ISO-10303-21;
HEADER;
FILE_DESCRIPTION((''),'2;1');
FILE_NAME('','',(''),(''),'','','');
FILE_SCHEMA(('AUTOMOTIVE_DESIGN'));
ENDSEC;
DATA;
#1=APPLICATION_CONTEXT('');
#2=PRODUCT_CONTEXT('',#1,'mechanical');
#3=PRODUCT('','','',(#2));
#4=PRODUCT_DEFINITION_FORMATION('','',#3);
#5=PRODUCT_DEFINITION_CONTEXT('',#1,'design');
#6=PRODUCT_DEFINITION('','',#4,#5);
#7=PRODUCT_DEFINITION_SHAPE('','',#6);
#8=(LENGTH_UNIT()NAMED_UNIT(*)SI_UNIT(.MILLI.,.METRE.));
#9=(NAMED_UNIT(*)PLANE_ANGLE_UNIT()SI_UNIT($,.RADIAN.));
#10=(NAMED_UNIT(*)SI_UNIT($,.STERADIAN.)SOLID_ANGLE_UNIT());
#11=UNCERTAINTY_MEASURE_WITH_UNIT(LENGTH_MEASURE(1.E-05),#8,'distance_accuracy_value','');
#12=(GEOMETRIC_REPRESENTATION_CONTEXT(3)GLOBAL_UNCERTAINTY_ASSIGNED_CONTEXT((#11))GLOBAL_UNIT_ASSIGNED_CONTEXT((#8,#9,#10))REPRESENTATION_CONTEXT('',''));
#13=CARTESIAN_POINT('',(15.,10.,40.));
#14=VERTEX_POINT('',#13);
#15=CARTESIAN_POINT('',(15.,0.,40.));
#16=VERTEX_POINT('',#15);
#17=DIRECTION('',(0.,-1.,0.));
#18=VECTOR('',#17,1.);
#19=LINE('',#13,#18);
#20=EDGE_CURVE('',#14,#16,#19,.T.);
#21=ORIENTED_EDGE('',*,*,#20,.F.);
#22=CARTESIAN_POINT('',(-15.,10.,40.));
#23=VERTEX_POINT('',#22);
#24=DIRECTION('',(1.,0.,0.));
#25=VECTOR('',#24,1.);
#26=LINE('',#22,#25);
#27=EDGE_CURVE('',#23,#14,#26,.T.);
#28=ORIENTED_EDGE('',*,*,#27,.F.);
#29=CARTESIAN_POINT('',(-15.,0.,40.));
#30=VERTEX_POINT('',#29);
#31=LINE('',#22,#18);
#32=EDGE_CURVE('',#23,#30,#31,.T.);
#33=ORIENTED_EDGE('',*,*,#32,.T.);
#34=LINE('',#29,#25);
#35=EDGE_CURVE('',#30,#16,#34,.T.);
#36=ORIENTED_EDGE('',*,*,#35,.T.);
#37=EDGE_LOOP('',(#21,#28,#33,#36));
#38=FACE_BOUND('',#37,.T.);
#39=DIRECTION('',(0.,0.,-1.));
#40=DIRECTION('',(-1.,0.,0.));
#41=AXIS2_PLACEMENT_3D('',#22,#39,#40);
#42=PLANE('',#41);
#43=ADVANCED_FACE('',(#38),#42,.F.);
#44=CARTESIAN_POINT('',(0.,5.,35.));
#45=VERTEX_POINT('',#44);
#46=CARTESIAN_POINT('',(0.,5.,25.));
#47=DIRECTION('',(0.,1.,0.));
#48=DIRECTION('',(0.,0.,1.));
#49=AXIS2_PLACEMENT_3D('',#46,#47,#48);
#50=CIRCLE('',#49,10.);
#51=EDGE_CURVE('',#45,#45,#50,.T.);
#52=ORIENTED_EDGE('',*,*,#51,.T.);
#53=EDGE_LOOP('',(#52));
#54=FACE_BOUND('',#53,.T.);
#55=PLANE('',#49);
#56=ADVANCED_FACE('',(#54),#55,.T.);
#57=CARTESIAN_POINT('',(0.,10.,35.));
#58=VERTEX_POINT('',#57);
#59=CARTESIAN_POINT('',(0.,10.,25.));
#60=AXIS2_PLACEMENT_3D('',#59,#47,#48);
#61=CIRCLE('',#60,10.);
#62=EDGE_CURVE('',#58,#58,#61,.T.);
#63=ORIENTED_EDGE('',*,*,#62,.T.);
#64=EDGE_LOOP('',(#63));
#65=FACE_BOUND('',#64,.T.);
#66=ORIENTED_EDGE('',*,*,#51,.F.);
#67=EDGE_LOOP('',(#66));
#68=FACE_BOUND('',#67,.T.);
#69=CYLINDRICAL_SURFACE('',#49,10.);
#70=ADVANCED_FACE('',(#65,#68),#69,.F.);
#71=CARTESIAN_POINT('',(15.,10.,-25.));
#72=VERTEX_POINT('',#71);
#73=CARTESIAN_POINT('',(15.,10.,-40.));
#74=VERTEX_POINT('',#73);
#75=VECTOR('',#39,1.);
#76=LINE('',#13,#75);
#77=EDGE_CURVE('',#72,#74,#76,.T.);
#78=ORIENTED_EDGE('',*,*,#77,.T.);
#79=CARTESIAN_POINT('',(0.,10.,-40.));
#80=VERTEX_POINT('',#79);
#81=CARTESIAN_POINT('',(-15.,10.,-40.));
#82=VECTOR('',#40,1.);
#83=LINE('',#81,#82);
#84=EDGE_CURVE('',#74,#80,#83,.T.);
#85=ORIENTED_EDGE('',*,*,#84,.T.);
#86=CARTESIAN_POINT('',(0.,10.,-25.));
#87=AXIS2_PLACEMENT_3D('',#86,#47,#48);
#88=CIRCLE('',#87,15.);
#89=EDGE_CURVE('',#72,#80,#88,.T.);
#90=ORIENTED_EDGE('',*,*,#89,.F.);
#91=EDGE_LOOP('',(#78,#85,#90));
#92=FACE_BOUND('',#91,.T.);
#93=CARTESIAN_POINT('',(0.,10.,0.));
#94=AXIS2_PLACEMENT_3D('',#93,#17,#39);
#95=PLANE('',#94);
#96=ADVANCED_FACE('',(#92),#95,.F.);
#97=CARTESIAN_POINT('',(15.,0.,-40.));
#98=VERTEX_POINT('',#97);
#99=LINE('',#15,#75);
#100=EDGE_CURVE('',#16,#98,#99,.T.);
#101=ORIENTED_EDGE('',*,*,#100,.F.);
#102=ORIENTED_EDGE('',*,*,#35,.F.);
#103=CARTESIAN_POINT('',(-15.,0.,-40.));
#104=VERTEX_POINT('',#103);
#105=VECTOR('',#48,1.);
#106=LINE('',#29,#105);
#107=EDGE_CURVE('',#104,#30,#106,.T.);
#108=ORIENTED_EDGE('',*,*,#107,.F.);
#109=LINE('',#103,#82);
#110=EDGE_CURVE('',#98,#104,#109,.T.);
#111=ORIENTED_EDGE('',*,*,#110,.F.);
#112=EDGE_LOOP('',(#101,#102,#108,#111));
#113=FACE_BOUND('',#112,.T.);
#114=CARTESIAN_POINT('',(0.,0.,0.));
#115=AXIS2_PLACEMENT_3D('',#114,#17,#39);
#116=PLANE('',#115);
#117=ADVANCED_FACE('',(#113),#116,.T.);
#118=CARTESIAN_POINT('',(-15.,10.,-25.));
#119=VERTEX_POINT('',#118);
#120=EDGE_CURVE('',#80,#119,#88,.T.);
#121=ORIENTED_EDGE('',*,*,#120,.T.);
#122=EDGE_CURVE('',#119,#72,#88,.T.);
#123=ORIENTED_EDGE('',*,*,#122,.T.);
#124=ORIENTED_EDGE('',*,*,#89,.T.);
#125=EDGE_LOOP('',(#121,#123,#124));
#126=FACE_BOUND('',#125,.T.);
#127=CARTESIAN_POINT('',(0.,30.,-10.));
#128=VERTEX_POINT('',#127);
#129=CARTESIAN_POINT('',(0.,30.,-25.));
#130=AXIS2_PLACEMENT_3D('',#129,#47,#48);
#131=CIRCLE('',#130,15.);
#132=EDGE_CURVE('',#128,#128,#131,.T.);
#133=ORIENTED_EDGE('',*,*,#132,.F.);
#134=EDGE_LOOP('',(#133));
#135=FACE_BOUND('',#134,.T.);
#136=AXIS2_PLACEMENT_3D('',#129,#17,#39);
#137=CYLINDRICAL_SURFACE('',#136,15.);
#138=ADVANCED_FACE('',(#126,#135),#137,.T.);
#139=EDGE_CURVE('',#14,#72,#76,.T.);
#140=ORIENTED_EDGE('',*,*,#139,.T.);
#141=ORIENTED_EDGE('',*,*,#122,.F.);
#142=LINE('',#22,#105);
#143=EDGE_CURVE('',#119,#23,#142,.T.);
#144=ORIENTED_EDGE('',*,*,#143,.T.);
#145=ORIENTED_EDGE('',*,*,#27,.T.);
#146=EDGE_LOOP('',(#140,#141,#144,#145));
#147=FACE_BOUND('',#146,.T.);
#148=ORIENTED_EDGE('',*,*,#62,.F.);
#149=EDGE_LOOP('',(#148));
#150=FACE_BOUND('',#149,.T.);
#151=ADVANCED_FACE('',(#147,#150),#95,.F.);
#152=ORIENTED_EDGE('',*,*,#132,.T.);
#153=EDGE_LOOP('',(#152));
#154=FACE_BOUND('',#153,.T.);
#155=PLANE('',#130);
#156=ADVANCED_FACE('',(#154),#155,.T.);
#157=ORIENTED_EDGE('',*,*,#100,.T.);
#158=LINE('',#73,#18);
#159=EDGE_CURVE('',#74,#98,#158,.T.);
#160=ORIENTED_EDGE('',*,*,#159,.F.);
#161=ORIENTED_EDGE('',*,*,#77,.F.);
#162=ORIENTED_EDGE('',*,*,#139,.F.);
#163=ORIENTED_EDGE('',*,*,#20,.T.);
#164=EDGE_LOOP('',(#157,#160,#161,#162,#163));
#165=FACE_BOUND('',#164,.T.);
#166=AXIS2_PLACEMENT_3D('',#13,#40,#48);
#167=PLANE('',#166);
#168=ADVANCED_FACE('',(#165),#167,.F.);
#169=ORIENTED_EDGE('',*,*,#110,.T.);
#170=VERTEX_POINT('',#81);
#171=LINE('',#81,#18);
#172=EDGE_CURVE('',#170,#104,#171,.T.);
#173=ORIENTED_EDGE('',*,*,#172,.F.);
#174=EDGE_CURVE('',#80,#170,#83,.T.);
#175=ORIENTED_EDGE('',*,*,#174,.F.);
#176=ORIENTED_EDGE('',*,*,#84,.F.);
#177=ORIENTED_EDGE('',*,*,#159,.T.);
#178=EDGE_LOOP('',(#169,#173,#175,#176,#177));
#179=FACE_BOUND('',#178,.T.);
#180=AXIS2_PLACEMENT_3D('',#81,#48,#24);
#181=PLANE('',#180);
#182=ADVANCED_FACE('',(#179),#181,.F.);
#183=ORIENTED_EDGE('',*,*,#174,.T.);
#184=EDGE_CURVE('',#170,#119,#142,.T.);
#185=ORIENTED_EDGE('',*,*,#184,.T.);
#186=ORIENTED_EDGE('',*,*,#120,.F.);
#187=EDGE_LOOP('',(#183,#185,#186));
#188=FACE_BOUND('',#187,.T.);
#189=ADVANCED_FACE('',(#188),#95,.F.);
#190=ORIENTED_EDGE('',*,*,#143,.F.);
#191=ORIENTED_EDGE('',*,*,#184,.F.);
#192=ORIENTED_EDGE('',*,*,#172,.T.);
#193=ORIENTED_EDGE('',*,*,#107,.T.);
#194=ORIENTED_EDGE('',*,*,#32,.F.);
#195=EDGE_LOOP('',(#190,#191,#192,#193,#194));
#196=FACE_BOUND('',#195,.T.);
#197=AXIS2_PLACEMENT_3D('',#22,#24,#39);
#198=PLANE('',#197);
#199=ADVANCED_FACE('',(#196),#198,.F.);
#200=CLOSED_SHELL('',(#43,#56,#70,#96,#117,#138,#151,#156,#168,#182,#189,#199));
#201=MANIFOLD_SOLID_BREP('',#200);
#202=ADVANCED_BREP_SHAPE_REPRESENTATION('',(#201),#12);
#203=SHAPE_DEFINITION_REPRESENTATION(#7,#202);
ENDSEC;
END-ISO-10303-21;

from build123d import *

# Parameters (mm, degrees)
SKETCH1_W           = 30
SKETCH1_H           = 80
BOSS_EXTRUDE1_DEPTH = 10
SKETCH2_R           = 15
BOSS_EXTRUDE2_DEPTH = 20
SKETCH3_R           = 10
CUT_EXTRUDE1_DEPTH  = 5


with BuildPart() as part:
    # Sketch1 → Boss-Extrude1 (new body)
    with BuildSketch(Plane(origin=(0, 0, 0), x_dir=(1, 0, 0), z_dir=(0, 1, 0))):
        Rectangle(SKETCH1_W, SKETCH1_H)
    extrude(amount=BOSS_EXTRUDE1_DEPTH)

    # Sketch2 → Boss-Extrude2 (add)
    with BuildSketch(Plane(origin=(0, 10, 0), x_dir=(1, 0, 0), z_dir=(0, 1, 0))):
        with Locations((0, 25)):
            Circle(SKETCH2_R)
    extrude(amount=BOSS_EXTRUDE2_DEPTH)

    # Sketch3 → Cut-Extrude1 (cut)
    with BuildSketch(Plane(origin=(0, 10, 0), x_dir=(1, 0, 0), z_dir=(0, 1, 0))):
        with Locations((0, -25)):
            Circle(SKETCH3_R)
    extrude(amount=-CUT_EXTRUDE1_DEPTH, mode=Mode.SUBTRACT)


solid = part.part
